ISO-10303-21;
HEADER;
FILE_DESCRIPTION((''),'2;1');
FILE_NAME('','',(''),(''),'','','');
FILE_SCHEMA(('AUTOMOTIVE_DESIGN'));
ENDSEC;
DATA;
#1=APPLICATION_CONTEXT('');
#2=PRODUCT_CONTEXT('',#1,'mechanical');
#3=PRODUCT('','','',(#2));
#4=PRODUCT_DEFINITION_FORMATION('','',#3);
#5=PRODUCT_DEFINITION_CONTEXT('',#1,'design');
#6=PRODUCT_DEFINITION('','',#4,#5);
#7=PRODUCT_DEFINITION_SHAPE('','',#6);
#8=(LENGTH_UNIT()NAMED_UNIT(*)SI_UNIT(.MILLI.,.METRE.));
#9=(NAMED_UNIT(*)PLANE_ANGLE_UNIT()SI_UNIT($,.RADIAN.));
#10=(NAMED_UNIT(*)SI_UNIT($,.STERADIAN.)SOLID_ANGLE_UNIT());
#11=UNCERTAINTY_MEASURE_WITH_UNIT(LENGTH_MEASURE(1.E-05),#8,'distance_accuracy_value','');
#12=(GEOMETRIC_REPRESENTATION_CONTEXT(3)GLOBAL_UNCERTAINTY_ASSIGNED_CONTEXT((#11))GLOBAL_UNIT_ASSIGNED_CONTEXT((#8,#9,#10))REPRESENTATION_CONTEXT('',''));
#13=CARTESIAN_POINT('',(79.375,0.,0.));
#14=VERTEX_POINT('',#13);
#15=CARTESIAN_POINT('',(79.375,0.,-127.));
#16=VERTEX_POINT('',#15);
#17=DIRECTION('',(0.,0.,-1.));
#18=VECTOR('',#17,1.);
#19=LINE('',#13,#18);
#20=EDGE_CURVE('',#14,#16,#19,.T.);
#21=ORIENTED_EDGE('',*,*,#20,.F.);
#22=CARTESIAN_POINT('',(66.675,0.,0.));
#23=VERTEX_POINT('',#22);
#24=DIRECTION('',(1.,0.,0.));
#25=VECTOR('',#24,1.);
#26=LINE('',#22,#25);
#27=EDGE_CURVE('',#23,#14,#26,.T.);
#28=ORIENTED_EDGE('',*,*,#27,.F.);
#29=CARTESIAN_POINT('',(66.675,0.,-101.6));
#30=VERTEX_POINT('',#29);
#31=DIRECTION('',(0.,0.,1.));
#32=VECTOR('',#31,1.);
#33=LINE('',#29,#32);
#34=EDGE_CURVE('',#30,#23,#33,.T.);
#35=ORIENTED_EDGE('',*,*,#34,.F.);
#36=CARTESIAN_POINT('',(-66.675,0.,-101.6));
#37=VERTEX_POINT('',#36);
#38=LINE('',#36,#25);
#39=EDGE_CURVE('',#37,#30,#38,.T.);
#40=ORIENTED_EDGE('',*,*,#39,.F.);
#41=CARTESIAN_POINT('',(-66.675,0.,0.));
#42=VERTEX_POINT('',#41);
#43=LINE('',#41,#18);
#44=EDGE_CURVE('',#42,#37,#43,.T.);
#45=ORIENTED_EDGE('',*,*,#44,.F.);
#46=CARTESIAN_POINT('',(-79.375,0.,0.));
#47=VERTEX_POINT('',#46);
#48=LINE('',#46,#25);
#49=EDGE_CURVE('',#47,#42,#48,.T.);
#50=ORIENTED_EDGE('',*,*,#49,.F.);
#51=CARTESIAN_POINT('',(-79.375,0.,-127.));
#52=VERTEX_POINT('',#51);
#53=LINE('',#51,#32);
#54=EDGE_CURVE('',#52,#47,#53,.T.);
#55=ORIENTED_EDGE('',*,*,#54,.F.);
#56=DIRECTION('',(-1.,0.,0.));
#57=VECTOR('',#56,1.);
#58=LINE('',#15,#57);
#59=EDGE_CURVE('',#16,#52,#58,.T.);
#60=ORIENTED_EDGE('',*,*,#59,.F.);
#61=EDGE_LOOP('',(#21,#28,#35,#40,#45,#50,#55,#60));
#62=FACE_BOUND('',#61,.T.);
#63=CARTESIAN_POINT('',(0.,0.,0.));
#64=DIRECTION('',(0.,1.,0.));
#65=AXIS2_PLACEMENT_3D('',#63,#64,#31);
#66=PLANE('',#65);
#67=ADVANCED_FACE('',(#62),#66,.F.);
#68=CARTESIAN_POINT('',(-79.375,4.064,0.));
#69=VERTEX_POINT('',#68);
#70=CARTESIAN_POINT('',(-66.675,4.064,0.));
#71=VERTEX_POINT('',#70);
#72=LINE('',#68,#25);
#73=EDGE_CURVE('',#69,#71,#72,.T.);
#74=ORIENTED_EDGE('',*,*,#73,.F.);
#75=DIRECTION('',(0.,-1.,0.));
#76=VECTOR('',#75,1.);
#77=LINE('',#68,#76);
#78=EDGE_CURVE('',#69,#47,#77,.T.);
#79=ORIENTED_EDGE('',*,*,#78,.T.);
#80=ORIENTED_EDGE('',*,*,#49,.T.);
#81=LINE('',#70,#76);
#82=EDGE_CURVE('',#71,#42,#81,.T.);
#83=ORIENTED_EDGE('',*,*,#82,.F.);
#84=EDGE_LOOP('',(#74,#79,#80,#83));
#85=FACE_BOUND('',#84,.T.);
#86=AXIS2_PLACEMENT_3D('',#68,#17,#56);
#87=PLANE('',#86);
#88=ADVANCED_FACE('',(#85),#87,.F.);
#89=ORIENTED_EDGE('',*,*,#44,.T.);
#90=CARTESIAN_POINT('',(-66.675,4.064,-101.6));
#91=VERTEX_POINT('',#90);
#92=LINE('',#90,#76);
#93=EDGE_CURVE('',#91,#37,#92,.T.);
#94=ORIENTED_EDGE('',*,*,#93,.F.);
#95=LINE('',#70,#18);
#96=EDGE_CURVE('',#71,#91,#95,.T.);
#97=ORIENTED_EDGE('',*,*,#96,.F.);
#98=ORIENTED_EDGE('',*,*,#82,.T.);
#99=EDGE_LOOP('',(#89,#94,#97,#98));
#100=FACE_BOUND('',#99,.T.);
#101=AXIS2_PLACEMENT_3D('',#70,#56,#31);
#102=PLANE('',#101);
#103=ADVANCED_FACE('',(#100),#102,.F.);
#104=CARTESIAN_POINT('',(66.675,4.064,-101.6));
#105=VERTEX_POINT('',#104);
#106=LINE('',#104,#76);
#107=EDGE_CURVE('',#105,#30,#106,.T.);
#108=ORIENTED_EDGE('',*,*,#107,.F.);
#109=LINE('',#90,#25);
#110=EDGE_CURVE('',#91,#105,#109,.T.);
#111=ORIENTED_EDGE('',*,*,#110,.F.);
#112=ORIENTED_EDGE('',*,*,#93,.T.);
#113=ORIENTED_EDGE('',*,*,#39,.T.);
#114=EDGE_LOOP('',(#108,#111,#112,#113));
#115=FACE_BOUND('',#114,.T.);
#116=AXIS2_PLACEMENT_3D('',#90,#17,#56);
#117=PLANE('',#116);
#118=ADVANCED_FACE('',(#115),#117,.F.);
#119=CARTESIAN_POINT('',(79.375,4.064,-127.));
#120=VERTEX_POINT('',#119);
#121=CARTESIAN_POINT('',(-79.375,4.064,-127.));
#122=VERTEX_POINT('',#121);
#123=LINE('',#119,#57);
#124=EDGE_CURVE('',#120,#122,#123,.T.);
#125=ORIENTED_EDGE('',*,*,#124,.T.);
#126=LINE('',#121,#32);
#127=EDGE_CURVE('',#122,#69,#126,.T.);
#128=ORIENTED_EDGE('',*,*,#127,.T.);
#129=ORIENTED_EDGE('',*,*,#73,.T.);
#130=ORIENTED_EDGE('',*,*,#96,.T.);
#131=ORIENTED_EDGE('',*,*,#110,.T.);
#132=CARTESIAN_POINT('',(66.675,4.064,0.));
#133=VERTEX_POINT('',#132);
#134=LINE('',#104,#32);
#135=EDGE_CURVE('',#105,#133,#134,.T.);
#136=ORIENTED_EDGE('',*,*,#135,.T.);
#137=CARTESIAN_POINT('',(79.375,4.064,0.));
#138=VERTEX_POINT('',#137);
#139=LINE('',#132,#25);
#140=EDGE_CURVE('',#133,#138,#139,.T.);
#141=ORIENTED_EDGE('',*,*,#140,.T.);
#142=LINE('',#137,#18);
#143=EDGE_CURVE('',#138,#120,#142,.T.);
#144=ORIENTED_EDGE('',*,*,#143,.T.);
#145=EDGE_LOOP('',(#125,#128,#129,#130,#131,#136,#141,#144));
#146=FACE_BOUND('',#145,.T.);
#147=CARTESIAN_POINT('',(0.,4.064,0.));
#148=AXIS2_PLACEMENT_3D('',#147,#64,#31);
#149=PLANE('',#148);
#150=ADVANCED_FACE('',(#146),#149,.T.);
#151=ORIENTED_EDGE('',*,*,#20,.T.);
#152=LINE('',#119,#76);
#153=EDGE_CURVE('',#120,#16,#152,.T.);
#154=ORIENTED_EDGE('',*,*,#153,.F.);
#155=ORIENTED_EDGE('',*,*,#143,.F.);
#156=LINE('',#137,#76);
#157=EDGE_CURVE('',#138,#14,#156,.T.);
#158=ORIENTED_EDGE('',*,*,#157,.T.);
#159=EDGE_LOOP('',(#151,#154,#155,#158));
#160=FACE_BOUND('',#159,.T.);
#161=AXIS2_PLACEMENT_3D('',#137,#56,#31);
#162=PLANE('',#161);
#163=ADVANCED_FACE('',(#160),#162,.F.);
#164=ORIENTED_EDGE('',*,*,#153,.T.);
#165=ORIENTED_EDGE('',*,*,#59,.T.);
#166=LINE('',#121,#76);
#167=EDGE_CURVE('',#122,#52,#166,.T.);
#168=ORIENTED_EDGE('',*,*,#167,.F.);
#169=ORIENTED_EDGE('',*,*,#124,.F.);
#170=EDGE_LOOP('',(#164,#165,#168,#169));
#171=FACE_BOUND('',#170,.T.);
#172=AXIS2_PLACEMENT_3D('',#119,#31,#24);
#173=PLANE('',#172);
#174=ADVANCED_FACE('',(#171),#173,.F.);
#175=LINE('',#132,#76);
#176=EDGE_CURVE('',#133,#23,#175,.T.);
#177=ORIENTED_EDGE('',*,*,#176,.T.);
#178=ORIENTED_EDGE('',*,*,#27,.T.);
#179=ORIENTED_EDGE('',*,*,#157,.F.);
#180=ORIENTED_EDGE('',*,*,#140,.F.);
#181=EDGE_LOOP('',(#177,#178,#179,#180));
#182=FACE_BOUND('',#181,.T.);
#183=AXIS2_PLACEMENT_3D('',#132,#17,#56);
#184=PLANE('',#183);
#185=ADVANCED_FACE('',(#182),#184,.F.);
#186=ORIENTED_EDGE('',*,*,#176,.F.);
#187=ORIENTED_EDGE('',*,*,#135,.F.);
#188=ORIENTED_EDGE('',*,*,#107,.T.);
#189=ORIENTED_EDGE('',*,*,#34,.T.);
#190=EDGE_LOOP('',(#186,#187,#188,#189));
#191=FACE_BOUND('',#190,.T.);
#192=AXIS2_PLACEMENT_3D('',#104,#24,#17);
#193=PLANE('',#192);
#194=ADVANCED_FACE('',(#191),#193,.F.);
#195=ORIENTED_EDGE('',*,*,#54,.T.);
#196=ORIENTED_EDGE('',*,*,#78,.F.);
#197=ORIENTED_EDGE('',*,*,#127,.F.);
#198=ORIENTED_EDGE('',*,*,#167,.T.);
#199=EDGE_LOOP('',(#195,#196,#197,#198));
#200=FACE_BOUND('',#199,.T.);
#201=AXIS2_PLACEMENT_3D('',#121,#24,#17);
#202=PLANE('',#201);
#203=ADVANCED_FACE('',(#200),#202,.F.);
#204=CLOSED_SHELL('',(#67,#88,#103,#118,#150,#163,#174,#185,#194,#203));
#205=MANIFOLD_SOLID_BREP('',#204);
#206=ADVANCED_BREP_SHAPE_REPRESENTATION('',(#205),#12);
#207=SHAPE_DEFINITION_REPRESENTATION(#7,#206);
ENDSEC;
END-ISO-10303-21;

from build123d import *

# Parameters (mm, degrees)
BOSS_EXTRUDE1_DEPTH = 4.064


with BuildPart() as part:
    # Sketch1 → Boss-Extrude1 (new body)
    with BuildSketch(Plane(origin=(0, 0, 0), x_dir=(1, 0, 0), z_dir=(0, 1, 0))):
        Polygon((-79.375, 0), (-66.675, 0), (-66.675, 101.6), (66.675, 101.6), (66.675, 0), (79.375, 0), (79.375, 127), (-79.375, 127), align=None)
    extrude(amount=BOSS_EXTRUDE1_DEPTH)


solid = part.part
